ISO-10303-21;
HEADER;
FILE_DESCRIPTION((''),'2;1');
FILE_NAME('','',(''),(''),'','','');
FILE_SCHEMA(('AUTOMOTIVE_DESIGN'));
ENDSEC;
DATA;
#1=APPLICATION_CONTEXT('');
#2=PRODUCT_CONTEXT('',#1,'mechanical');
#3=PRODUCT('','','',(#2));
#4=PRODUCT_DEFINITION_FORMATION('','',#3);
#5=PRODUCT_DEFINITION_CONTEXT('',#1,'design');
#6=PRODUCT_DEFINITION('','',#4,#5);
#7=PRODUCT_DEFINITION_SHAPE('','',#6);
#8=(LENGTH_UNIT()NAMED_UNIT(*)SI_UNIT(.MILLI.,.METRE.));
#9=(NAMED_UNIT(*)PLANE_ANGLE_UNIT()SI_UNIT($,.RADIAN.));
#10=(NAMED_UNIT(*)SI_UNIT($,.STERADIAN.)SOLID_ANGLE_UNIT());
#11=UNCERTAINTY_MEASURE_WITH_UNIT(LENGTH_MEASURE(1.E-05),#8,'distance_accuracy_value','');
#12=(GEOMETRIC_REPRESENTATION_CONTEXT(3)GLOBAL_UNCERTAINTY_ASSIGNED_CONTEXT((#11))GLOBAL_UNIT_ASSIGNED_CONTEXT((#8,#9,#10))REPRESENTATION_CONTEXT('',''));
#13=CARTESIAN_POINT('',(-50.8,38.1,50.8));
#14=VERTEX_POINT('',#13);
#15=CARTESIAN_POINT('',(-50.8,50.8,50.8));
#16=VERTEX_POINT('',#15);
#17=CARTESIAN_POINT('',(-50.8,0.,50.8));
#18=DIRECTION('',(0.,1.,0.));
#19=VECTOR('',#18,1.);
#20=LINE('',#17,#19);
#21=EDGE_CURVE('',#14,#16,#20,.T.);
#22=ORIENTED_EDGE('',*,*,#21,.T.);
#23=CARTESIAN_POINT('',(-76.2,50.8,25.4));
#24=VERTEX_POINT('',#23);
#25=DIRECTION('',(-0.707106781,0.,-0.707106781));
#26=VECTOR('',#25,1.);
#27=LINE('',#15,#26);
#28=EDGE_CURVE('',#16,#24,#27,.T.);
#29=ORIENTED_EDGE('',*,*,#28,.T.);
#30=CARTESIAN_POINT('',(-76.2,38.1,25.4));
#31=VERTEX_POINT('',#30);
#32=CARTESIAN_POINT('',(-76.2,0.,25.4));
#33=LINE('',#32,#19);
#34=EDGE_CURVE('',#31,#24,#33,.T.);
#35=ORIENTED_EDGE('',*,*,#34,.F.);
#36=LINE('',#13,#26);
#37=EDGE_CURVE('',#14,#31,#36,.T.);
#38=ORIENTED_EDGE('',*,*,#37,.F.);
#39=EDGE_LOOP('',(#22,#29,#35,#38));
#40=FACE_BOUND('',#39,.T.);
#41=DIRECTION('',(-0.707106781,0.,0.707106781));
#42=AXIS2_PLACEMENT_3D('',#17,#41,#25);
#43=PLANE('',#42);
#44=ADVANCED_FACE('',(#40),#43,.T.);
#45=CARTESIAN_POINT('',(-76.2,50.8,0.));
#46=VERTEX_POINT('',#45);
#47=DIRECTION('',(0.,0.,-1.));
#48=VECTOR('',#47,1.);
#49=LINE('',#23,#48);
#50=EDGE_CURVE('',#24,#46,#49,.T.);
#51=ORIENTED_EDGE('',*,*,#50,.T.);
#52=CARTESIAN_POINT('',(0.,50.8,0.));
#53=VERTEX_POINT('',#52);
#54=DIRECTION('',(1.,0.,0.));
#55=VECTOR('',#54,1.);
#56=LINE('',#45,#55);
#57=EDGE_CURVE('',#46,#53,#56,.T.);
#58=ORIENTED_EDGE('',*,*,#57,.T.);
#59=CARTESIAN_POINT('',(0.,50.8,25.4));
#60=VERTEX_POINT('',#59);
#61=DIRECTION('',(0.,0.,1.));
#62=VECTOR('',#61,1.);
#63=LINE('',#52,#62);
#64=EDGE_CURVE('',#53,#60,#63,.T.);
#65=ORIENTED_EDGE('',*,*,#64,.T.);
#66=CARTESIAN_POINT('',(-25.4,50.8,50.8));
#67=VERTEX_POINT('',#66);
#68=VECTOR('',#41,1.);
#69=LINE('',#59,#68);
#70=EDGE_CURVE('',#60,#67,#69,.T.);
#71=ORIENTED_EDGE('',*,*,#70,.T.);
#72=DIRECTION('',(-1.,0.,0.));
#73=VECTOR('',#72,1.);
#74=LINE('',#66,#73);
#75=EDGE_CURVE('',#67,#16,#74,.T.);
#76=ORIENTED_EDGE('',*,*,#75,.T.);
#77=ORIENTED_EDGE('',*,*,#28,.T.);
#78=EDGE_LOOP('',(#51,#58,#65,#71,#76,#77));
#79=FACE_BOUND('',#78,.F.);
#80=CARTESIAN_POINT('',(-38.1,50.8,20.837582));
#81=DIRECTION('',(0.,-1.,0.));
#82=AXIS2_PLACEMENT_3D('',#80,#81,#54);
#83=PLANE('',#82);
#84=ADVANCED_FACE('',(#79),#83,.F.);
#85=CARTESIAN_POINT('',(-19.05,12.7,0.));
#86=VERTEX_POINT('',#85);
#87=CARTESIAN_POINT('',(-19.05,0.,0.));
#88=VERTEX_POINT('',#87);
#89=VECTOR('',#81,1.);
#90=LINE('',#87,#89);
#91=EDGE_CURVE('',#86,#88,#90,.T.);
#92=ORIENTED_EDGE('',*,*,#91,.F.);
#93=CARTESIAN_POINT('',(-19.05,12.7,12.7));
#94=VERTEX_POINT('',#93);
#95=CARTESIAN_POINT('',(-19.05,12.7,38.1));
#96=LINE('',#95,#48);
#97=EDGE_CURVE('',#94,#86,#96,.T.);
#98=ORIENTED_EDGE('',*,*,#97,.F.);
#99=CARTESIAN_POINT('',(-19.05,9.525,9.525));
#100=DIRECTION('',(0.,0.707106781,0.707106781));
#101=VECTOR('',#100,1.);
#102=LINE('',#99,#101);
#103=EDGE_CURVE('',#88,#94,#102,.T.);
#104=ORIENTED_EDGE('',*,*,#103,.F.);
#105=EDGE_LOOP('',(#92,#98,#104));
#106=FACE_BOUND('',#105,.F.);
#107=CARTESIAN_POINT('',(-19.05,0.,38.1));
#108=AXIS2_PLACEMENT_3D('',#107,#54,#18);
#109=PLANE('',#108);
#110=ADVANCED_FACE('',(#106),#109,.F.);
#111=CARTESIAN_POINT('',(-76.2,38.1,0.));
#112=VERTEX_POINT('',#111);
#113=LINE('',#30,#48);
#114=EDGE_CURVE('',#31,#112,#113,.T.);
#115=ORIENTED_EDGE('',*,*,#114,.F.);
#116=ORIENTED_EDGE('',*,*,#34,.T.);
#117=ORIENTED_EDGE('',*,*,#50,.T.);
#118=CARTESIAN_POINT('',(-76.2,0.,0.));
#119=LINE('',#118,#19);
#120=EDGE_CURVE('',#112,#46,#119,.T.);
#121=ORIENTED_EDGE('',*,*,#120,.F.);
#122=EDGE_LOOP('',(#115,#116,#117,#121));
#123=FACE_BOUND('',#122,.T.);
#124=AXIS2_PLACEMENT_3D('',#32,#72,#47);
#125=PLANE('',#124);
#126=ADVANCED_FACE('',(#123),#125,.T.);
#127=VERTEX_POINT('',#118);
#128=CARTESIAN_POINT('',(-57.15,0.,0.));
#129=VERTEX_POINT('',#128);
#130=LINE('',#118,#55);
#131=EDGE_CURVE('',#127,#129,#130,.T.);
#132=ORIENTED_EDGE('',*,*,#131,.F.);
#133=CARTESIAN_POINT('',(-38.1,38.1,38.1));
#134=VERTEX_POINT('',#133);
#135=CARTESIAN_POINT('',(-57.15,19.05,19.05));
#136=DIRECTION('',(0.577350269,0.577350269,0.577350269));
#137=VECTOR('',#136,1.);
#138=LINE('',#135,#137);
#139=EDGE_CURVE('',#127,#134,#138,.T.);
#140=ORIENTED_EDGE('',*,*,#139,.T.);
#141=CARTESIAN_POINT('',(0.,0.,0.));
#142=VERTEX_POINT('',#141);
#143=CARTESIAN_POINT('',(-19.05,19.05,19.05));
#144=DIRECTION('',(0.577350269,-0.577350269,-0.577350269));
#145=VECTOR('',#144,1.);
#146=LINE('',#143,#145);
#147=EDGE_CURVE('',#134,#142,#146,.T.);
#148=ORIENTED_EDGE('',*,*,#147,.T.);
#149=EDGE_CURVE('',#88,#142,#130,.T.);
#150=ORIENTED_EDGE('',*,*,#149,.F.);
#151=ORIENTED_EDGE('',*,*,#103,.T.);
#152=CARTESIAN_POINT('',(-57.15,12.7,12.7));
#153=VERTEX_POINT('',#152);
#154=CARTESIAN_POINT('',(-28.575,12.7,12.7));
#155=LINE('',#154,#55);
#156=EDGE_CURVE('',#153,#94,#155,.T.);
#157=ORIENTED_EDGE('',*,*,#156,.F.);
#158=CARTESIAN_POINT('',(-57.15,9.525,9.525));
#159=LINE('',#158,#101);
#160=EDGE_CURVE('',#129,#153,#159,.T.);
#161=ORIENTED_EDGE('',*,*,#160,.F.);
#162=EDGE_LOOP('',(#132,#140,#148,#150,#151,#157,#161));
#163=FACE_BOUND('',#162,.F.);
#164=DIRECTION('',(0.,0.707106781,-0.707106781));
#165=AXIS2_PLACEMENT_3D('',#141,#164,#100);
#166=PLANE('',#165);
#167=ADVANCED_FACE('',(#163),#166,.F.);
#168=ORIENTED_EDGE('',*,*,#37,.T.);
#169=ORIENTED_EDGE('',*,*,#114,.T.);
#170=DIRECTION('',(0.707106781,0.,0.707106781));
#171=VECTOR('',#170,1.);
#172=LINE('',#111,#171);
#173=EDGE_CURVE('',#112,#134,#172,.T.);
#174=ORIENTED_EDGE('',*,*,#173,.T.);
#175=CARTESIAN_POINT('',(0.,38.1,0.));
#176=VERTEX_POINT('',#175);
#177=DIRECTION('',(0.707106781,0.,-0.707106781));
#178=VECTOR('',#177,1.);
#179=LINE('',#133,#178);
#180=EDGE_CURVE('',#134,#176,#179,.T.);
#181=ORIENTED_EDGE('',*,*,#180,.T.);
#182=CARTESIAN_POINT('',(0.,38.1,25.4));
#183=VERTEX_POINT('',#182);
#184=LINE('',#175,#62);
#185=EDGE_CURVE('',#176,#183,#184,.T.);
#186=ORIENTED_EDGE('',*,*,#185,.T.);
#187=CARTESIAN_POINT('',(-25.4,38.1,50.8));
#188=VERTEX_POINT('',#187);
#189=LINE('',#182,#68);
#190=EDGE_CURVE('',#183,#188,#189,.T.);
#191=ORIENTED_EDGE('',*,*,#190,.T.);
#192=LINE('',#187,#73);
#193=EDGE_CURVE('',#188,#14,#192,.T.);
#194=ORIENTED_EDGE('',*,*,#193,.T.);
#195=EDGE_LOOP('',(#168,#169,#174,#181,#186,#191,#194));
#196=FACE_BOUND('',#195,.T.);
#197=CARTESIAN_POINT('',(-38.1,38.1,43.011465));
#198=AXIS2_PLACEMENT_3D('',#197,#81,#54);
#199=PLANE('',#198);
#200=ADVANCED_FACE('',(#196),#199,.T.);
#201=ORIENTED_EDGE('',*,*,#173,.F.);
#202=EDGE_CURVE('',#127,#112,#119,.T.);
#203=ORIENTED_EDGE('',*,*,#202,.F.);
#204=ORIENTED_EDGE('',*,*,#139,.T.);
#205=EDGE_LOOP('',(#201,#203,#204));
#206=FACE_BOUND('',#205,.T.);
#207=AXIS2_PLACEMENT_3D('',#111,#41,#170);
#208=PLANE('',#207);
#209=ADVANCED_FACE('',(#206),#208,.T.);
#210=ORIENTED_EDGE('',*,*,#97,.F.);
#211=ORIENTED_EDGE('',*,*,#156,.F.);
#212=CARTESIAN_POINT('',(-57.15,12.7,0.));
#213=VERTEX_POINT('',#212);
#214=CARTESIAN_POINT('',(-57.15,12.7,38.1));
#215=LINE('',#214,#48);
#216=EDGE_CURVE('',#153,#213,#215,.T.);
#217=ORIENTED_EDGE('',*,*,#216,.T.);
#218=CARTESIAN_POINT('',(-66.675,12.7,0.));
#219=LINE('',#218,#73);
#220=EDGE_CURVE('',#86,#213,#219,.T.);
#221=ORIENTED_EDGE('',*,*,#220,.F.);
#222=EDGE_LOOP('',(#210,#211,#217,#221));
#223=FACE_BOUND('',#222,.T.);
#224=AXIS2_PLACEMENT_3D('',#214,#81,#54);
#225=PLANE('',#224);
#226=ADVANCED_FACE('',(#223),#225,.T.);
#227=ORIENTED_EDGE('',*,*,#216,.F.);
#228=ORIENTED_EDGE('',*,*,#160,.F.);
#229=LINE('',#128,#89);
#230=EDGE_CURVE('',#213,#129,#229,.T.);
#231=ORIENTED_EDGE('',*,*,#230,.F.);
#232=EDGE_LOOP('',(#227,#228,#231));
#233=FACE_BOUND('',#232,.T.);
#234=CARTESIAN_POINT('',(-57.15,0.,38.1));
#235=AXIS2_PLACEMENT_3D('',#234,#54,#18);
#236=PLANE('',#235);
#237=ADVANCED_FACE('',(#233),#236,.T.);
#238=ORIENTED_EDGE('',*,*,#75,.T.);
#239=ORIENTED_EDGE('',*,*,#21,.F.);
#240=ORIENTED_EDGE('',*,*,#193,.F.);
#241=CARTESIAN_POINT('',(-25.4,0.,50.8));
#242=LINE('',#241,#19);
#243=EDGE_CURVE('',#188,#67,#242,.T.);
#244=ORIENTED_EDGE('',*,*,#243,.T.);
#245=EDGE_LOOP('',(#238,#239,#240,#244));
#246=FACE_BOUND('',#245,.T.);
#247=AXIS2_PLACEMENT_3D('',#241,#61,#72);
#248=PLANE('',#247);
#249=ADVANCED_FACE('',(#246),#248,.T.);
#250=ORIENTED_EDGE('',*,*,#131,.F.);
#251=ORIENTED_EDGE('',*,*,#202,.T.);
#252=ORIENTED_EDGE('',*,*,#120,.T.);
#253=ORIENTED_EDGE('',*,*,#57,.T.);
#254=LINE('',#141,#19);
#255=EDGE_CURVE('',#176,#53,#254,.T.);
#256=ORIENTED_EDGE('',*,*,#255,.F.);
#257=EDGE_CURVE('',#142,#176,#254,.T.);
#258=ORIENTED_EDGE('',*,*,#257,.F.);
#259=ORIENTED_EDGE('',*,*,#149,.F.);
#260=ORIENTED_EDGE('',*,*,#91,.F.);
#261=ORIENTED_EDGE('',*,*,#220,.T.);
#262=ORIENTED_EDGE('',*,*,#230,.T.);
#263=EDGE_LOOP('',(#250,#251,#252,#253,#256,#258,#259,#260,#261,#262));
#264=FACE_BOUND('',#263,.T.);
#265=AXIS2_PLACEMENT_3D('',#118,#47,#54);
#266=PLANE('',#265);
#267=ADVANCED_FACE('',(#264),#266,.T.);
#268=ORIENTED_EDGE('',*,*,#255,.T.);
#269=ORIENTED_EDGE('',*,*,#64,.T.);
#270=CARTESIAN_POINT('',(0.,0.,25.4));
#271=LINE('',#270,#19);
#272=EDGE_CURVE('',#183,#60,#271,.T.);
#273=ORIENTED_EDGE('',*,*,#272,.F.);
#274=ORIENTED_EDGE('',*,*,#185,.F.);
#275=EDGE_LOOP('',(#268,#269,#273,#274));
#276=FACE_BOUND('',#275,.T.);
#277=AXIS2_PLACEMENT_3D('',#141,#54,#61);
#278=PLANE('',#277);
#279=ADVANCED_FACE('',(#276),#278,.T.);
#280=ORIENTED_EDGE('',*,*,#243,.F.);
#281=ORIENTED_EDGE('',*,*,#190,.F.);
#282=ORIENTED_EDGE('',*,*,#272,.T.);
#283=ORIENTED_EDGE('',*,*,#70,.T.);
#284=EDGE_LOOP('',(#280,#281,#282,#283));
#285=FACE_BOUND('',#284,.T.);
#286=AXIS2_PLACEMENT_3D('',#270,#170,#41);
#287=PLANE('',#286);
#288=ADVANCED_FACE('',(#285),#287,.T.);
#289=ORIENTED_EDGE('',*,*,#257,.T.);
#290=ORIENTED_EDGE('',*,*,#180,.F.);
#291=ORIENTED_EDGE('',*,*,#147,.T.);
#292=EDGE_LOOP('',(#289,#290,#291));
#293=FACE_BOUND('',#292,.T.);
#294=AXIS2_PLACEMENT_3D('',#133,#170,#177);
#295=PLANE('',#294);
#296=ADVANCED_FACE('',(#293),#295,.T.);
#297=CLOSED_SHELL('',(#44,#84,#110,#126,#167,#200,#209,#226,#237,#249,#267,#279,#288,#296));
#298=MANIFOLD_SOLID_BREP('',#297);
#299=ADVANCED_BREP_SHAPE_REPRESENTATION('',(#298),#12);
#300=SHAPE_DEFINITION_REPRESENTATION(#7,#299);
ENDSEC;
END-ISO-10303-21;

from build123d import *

# Parameters (mm, degrees)
F1_DEPTH  = 50.8
F3_DEPTH  = 38.1
F4_W      = 38.1
F4_H      = 12.7
F5_DEPTH  = 38.101
F7_DEPTH  = 76.201
F9_DEPTH  = 38.101
F11_DEPTH = 38.101


with BuildPart() as f1:
    # F0 (on Front) → F1 (new body)
    with BuildSketch(Plane.XZ):
        Polygon((-76.2, 0), (0, 0), (0, 25.4), (-25.4, 50.8), (-50.8, 50.8), (-76.2, 25.4), align=None)
    extrude(amount=-F1_DEPTH)

    # F2 (on face) → F3 (cut)
    with BuildSketch(Plane.XZ):
        Polygon((-50.8, 50.8), (-63.5, 38.1), (-12.7, 38.1), (-25.4, 50.8), align=None)
    extrude(amount=-F3_DEPTH, mode=Mode.SUBTRACT)

    # F4 (on face) → F5 (cut, through all)
    with BuildSketch(Plane.XY.offset(38.1)):
        with Locations((-38.1, 6.35)):
            Rectangle(F4_W, F4_H)
    extrude(amount=-F5_DEPTH, mode=Mode.SUBTRACT)

    # F6 (on face) → F7 (cut, through all)
    with BuildSketch(Plane.YZ):
        Polygon((0, 38.1), (0, 0), (38.1, 38.1), align=None)
    extrude(amount=-F7_DEPTH, mode=Mode.SUBTRACT)

    # F8 (on face) → F9 (cut, through all)
    with BuildSketch(Plane.XZ.offset(-38.1)):
        Polygon((-12.7, 38.1), (-38.1, 38.1), (0, 0), (0, 25.4), align=None)
    extrude(amount=F9_DEPTH, mode=Mode.SUBTRACT)

    # F10 (on face) → F11 (cut, through all)
    with BuildSketch(Plane.XZ.offset(-38.1)):
        Polygon((-76.2, 0), (-38.1, 38.1), (-63.5, 38.1), (-76.2, 25.4), align=None)
    extrude(amount=F11_DEPTH, mode=Mode.SUBTRACT)


solid = f1.part
